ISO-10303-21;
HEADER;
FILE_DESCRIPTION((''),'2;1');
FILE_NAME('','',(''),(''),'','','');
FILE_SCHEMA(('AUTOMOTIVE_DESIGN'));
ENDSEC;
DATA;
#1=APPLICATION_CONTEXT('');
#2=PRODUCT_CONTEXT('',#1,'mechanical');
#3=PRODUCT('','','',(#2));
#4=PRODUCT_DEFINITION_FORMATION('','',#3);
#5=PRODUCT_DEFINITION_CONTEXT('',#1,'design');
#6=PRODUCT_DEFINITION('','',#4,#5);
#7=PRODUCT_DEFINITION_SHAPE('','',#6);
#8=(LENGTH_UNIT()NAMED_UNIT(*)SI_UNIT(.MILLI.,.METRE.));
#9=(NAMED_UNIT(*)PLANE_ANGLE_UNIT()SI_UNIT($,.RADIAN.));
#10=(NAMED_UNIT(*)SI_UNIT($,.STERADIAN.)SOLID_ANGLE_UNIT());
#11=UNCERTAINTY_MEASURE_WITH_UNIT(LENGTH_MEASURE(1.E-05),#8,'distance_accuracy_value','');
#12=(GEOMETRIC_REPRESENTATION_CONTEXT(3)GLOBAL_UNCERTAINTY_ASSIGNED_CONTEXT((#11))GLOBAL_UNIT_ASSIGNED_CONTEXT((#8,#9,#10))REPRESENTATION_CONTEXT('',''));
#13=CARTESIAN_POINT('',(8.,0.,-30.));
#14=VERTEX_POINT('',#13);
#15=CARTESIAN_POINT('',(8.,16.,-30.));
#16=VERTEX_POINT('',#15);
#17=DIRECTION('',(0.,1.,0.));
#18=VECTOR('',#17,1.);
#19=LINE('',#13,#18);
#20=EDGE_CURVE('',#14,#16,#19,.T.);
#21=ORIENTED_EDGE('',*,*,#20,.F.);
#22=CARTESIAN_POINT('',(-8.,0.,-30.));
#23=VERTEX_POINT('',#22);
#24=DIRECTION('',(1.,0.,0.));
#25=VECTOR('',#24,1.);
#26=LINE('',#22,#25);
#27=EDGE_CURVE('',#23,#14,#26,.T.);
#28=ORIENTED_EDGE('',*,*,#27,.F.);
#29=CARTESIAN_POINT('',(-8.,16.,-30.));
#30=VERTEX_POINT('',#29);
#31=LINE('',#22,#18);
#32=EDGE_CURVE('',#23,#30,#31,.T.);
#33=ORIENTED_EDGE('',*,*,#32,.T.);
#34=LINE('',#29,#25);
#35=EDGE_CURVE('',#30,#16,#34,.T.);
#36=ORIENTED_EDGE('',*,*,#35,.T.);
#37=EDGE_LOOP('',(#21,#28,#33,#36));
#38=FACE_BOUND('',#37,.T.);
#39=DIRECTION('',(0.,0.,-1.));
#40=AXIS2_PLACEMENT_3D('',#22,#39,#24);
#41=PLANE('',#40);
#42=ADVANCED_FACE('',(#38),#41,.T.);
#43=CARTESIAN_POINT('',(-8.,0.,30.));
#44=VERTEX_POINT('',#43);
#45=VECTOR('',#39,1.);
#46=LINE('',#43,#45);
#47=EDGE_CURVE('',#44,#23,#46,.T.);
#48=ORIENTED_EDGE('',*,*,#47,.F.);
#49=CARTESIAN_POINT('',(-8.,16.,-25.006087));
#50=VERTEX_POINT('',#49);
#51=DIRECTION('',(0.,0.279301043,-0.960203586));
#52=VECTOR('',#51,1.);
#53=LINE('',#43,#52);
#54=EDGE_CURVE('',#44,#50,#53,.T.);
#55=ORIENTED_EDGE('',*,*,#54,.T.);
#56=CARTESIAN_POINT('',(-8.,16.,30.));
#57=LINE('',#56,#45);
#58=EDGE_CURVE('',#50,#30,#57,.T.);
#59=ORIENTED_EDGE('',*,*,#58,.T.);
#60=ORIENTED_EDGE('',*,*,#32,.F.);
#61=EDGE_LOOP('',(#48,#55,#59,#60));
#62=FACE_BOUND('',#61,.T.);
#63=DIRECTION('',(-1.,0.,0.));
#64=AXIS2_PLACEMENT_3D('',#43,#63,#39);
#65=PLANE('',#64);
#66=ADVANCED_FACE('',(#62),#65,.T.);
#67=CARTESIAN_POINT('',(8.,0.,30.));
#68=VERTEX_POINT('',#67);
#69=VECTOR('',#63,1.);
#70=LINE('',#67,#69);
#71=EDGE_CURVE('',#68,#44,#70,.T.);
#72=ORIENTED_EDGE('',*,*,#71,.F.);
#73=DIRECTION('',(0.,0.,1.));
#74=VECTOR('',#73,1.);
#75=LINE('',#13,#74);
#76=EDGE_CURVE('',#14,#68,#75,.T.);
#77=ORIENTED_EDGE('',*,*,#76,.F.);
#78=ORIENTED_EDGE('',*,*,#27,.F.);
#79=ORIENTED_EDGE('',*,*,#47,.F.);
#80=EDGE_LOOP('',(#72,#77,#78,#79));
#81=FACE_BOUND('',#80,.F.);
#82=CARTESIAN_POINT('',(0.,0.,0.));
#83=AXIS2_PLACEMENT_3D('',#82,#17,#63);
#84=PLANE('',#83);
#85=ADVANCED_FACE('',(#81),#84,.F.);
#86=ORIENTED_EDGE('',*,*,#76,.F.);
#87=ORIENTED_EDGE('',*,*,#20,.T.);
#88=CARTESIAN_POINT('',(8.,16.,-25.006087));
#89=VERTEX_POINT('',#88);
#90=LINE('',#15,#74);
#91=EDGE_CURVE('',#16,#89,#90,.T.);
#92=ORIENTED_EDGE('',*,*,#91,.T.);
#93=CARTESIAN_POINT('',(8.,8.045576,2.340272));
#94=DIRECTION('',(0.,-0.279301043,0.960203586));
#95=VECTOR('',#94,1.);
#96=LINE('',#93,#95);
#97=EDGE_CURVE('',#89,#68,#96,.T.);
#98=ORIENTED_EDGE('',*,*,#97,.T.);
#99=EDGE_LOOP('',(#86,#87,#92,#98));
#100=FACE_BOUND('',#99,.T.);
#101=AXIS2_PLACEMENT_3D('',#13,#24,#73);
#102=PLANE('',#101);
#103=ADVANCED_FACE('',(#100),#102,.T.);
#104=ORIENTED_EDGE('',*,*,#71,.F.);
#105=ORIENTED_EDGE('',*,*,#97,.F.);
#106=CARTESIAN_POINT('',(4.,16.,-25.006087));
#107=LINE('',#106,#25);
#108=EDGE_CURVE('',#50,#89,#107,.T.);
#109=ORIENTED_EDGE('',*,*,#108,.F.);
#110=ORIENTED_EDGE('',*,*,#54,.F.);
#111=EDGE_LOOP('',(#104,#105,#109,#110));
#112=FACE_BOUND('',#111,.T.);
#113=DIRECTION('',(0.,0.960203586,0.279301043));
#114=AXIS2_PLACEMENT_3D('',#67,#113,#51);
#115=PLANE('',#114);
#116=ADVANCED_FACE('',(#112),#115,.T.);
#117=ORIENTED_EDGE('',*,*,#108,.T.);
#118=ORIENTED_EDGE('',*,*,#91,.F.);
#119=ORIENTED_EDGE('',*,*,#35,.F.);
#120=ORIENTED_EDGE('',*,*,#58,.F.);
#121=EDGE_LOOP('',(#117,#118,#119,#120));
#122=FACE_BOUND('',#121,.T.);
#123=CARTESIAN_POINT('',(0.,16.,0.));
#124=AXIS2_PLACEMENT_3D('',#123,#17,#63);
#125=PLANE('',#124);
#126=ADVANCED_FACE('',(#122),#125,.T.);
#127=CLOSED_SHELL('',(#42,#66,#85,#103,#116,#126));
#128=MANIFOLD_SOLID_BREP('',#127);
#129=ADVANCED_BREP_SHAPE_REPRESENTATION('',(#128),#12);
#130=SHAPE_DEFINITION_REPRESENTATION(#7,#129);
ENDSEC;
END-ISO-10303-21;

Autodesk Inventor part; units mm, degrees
ref_plane "YZ Plane" through (0, 0, 0) normal (1, 0, 0) x (0, 1, 0)
ref_plane "XZ Plane" through (0, 0, 0) normal (0, 1, 0) x (-1, 0, 0)
ref_plane "XY Plane" through (0, 0, 0) normal (0, 0, 1) x (1, 0, 0)
sketch "Sketch1" plane through (0, 0, 0) normal (0, 1, 0) x (-1, 0, 0)
  line L0 (-8, 30) -> (8, 30)
  line L1 (8, 30) -> (8, -30)
  line L2 (8, -30) -> (-8, -30)
  line L3 (-8, -30) -> (-8, 30)
  line L4 (-8, 30) -> (8, -30) construction
  line L5 (8, 30) -> (-8, -30) construction
  point P0 (0, 0)
  dimension "d0" = 60
  dimension "d1" = 16
extrude "Extrusion1" add sketch "Sketch1" along normal blind 16
sketch "Sketch2" plane through (0, 16, 0) normal (0, 1, 0) x (1, 0, 0)
  line L0 (8, 30) -> (-7.9475, 30)
  line L1 (-7.9475, 30) -> (-7.9475, 25)
  line L2 (-7.9475, 25) -> (8, 25)
  line L3 (8, 25) -> (8, 30)
  point P0 (0, 0)
  dimension "d4" = 5
ref_plane "Work Plane1" through (8, 0, 30) normal (0, -0.9602, -0.2793) x (-1, 0, 0)
split "Split1" plane through (8, 0, 30) removes the side toward (0, 0.9602, 0.2793)
properties part number "Absorber"
